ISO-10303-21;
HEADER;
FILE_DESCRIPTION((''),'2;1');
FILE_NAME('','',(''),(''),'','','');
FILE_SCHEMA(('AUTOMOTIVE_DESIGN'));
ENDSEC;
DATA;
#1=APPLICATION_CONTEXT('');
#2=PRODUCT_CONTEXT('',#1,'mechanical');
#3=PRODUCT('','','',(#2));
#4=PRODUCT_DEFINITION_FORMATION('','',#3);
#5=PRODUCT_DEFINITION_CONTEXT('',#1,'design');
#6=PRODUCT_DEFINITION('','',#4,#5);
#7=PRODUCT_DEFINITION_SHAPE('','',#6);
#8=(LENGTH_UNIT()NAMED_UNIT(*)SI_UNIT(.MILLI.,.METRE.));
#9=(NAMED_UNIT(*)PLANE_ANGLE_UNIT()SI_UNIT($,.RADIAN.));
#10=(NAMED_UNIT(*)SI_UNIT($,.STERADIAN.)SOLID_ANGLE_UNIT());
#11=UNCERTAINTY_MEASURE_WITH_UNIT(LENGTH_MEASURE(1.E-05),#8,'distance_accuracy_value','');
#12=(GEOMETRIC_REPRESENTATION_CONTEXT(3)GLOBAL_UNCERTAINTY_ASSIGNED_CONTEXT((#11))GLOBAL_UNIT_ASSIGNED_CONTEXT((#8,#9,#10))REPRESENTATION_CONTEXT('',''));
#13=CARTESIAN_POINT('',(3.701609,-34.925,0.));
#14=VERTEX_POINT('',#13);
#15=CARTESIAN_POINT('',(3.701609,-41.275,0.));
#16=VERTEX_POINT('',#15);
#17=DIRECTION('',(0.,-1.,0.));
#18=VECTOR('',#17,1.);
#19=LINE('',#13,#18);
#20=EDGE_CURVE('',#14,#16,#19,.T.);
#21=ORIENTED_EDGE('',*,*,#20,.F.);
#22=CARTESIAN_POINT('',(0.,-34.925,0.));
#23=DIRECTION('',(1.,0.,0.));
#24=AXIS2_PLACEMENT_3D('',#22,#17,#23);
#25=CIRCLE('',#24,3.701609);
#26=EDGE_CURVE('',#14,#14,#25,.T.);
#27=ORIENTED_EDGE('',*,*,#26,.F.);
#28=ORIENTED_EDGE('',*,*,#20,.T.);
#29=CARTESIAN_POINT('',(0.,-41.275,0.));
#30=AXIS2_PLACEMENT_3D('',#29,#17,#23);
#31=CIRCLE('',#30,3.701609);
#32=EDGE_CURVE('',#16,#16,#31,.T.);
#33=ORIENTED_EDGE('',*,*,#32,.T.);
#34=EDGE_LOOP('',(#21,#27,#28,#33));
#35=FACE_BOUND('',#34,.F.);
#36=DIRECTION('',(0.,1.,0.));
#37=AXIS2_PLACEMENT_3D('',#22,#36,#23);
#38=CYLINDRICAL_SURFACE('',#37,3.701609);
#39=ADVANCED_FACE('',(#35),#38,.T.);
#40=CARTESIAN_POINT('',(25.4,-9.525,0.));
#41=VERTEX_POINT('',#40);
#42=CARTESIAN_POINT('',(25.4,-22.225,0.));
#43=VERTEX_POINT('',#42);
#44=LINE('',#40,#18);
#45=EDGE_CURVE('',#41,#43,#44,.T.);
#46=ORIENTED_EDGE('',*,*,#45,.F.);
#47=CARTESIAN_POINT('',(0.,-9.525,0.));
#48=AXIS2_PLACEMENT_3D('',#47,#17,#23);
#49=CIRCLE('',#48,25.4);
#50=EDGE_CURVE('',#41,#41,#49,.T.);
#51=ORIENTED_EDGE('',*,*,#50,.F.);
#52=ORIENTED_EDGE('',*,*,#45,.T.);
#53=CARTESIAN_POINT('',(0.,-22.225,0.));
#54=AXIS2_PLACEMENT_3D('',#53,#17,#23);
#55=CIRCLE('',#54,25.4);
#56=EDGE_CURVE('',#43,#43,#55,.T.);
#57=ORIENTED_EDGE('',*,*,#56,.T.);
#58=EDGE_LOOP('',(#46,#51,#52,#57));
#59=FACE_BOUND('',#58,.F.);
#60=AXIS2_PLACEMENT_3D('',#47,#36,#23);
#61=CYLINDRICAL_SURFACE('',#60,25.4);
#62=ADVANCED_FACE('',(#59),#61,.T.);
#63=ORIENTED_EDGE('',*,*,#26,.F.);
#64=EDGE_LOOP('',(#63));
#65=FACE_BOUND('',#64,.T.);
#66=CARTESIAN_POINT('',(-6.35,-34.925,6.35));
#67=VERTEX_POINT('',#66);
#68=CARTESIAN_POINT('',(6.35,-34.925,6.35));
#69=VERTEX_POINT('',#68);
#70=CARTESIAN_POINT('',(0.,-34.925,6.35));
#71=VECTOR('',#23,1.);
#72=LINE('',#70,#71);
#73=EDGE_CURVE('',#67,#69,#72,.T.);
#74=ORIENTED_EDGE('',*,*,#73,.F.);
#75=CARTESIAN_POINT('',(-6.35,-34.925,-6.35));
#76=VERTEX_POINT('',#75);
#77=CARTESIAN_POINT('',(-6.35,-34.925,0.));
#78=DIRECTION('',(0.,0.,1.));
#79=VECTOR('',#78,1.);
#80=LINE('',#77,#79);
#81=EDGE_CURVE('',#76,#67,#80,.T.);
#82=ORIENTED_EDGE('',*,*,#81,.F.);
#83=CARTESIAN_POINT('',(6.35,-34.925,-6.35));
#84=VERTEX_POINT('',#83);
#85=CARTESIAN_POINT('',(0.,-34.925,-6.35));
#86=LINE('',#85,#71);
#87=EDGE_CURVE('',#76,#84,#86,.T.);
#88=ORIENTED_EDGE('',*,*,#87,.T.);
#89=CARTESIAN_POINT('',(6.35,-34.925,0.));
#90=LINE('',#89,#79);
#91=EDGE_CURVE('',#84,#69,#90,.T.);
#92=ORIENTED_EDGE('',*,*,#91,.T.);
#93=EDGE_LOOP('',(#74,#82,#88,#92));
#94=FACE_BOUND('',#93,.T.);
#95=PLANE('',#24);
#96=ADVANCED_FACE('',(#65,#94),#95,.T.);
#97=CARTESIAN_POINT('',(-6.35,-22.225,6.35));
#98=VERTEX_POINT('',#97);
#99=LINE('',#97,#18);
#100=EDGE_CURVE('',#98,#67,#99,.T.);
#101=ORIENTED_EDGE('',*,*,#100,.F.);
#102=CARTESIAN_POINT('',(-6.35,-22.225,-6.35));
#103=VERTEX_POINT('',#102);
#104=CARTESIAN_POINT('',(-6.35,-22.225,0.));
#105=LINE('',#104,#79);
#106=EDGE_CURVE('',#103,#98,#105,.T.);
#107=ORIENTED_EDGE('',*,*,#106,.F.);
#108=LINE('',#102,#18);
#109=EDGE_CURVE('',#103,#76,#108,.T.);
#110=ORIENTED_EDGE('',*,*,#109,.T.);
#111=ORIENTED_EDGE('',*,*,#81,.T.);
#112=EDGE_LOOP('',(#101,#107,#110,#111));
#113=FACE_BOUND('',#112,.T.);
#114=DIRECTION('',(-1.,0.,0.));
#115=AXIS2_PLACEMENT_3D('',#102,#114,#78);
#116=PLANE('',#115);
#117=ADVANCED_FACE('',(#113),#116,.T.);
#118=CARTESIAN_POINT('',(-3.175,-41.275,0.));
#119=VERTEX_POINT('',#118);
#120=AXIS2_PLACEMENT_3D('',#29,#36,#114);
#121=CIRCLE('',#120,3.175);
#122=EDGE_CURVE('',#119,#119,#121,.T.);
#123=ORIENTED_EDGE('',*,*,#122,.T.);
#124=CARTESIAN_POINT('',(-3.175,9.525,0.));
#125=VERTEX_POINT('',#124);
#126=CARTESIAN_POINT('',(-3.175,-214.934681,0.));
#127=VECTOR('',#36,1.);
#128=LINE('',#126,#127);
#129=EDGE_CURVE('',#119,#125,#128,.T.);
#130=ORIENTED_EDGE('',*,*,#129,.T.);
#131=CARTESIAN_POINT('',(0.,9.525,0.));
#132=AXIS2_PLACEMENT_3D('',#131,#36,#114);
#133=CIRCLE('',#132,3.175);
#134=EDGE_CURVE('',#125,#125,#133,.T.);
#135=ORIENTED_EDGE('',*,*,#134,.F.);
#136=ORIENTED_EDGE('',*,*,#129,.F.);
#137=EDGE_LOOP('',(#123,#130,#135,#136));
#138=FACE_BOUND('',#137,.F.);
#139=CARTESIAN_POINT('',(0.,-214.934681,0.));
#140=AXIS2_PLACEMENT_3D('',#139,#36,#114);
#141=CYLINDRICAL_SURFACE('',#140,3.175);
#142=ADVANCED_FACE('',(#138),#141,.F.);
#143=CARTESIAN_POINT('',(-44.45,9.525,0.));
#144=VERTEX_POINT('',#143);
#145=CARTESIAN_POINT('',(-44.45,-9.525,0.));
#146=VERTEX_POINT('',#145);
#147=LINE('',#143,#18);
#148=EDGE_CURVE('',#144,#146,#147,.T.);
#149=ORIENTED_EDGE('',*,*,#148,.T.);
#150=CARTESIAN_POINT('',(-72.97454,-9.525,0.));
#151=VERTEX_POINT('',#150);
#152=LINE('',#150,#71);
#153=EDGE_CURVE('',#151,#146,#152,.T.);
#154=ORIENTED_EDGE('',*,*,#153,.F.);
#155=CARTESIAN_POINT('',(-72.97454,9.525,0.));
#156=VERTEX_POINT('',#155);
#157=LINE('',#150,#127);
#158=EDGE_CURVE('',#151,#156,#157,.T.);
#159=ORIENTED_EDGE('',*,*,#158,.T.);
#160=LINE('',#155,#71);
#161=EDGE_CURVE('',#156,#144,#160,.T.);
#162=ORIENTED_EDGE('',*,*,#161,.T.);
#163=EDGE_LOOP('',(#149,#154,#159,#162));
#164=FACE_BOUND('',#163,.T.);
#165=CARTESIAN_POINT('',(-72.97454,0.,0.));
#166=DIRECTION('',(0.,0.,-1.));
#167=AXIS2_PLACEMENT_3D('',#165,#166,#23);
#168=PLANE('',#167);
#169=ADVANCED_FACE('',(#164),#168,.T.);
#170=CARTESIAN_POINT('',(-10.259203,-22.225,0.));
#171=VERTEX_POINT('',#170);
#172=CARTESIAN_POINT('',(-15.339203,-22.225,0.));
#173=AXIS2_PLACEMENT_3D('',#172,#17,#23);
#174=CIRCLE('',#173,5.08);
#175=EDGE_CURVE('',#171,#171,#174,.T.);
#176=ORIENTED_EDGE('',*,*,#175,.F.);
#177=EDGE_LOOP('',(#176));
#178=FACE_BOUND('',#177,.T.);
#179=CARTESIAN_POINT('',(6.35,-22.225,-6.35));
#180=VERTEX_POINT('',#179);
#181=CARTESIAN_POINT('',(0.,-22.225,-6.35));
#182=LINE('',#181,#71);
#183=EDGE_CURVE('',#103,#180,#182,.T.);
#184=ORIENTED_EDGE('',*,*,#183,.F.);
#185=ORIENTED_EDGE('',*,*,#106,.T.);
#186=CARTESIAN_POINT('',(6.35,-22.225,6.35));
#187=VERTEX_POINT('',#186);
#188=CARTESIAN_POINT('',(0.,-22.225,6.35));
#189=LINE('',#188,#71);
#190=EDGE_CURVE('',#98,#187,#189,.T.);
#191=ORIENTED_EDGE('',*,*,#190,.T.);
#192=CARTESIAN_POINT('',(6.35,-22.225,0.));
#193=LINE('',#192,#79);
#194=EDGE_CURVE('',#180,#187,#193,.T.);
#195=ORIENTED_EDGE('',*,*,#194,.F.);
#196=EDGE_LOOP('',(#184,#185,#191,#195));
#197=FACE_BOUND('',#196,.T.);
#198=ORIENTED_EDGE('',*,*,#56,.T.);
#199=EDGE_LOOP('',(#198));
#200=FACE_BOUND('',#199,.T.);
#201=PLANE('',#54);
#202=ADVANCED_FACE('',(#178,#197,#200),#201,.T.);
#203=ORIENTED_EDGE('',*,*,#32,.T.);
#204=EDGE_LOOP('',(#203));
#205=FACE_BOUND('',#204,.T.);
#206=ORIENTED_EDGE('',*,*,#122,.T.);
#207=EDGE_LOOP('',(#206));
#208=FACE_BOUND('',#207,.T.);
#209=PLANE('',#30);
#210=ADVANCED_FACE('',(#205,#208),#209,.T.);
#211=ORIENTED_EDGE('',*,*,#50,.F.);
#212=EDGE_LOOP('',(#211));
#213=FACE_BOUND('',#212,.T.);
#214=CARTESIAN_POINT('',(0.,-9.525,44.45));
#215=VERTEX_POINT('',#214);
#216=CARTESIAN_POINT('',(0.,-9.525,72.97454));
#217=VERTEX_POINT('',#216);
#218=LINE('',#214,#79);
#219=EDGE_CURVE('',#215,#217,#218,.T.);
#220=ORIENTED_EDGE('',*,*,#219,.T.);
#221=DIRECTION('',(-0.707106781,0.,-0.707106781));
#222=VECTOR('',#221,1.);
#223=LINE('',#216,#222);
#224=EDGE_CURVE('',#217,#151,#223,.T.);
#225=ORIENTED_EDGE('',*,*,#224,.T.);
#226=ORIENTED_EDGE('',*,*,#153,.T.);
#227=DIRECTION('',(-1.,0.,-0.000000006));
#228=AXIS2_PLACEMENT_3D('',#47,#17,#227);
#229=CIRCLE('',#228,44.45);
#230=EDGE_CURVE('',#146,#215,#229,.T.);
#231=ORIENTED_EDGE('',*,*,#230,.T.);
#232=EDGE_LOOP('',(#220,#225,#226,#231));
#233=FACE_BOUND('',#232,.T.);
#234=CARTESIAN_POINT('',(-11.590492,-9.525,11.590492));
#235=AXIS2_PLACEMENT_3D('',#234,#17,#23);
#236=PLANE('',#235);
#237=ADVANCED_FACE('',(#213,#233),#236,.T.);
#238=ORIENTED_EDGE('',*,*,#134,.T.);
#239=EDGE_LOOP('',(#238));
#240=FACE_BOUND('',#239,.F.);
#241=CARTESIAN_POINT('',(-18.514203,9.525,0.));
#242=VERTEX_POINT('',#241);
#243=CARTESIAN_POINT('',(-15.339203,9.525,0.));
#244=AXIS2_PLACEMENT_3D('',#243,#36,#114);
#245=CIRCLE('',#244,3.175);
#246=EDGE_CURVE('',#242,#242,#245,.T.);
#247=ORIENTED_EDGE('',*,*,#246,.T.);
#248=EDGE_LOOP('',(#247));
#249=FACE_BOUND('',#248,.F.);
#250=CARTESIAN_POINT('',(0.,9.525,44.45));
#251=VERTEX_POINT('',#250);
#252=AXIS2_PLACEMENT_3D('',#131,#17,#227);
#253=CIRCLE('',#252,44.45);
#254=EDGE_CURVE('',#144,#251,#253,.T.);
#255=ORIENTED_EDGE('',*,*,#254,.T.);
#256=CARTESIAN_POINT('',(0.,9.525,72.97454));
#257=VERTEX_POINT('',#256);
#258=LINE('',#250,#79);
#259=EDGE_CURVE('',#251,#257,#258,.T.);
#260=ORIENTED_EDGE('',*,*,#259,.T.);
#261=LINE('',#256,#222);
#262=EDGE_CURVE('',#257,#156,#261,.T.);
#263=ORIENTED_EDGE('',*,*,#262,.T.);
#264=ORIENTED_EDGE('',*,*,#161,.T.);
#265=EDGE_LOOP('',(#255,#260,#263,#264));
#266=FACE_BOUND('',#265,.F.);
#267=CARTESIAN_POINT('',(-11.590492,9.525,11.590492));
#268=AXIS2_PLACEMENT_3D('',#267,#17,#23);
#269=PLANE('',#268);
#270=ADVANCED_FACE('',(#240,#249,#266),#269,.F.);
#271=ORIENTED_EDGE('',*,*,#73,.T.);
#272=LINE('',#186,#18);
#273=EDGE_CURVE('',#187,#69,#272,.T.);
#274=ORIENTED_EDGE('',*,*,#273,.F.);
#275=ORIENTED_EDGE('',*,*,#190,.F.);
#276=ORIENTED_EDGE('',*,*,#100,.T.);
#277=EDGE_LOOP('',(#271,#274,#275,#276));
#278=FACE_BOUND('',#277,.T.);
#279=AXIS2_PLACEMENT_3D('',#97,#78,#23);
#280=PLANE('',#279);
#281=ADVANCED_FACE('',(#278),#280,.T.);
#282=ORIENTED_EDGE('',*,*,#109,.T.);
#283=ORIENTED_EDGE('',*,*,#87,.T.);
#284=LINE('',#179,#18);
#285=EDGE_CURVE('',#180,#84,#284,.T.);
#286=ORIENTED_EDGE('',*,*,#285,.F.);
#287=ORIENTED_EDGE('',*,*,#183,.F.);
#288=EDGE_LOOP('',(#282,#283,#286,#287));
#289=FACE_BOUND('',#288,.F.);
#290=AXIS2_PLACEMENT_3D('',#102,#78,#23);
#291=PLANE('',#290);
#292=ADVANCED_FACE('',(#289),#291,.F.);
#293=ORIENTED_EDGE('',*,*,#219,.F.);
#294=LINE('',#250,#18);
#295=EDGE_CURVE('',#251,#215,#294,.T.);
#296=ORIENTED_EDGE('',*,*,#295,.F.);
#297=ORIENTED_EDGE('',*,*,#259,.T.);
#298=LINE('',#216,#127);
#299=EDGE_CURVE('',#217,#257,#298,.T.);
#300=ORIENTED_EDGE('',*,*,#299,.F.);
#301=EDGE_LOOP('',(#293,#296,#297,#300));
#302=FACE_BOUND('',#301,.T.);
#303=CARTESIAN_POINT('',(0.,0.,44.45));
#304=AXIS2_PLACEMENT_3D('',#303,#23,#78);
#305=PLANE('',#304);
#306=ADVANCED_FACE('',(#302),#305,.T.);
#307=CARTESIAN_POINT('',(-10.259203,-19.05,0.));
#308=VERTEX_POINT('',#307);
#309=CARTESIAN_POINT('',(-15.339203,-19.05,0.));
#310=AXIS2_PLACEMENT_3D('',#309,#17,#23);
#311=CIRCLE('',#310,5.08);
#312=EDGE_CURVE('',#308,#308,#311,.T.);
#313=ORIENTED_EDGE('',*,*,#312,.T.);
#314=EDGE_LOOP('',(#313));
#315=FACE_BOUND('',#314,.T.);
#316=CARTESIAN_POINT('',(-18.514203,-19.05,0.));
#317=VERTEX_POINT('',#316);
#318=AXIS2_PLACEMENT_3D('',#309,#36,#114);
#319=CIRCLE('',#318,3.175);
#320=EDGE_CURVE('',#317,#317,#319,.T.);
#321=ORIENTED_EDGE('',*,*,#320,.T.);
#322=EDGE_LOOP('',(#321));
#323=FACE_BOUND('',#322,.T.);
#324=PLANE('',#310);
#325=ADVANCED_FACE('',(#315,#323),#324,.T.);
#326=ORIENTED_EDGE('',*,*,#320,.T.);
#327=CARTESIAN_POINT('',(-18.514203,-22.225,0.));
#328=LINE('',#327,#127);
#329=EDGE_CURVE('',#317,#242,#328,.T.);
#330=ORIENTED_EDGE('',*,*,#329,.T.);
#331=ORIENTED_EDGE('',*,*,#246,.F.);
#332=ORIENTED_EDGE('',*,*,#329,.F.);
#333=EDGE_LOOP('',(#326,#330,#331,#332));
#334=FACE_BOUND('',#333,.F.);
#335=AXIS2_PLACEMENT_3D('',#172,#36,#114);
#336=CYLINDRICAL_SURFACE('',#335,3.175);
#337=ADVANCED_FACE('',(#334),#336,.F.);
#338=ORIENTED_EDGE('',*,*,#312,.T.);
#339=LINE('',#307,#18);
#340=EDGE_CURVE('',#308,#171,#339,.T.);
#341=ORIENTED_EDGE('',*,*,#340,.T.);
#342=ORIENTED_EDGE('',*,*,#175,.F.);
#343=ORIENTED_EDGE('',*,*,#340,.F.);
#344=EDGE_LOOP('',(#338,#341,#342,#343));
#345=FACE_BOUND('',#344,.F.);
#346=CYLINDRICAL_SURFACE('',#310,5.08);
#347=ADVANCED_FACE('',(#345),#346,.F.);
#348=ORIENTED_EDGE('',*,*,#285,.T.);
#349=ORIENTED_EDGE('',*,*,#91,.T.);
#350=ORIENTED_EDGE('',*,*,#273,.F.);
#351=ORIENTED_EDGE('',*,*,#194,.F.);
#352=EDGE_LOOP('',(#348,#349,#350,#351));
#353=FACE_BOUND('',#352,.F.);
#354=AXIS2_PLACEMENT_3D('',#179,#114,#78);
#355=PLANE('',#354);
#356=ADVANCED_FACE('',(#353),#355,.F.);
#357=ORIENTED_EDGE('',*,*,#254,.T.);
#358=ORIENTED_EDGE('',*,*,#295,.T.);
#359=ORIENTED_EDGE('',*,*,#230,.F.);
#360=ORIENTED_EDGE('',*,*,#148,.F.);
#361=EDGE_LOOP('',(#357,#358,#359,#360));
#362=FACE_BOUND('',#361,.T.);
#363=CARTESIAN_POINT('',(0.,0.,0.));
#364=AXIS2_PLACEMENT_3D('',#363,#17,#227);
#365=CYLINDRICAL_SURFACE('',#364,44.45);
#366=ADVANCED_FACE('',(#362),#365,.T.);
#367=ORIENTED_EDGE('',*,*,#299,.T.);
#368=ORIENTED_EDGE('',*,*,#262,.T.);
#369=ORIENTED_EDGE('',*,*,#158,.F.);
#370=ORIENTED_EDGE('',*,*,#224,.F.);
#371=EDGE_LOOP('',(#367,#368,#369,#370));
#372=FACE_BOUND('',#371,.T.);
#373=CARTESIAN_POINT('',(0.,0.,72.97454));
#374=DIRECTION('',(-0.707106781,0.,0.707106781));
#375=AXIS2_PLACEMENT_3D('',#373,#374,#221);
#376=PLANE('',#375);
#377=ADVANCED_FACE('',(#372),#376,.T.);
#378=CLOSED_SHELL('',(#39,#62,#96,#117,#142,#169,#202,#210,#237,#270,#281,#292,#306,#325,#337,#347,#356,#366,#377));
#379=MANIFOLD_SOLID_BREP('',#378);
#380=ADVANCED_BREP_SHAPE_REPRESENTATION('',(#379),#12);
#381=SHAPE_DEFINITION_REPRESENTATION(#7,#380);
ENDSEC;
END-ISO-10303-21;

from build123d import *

# Parameters (mm, degrees)
F1_DEPTH        = 9.525
F2_R            = 25.4
F3_DEPTH        = 12.7
F4_W            = 12.7
F4_H            = 12.7
F5_DEPTH        = 12.7
F6_R            = 3.701609
F7_DEPTH        = 6.35
F9_D            = 6.35
F11_D           = 6.35
F11_CBORE_D     = 10.16
F11_CBORE_DEPTH = 3.175


with BuildPart() as f1:
    # F0 (on Front) → F1 (new body, symmetric)
    with BuildSketch(Plane.XZ):
        with BuildLine():
            Line((-72.97454, 0), (-44.45, 0))
            ThreePointArc((-44.45, 0), (31.430896, -31.430896), (0, 44.45))
            Line((0, 44.45), (0, 72.97454))
            Line((0, 72.97454), (-72.97454, 0))
        make_face()
    extrude(amount=F1_DEPTH, both=True)

    # F2 (on face) → F3 (join)
    with BuildSketch(Plane.XZ.offset(9.525)):
        Circle(F2_R)
    extrude(amount=F3_DEPTH)

    # F4 (on face) → F5 (join)
    with BuildSketch(Plane.XZ.offset(22.225)):
        Rectangle(F4_W, F4_H)
    extrude(amount=F5_DEPTH)

    # F6 (on face) → F7 (join)
    with BuildSketch(Plane.XZ.offset(34.925)):
        Circle(F6_R)
    extrude(amount=F7_DEPTH)

    # F9 (through all)
    with Locations(Plane.XZ.offset(41.275)):
        with Locations((0, 0)):
            Hole(F9_D / 2)

    # F11 (through all)
    with Locations(Plane.XZ.offset(22.225)):
        with Locations((-15.339203, 0)):
            CounterBoreHole(F11_D / 2, F11_CBORE_D / 2, F11_CBORE_DEPTH)


solid = f1.part
